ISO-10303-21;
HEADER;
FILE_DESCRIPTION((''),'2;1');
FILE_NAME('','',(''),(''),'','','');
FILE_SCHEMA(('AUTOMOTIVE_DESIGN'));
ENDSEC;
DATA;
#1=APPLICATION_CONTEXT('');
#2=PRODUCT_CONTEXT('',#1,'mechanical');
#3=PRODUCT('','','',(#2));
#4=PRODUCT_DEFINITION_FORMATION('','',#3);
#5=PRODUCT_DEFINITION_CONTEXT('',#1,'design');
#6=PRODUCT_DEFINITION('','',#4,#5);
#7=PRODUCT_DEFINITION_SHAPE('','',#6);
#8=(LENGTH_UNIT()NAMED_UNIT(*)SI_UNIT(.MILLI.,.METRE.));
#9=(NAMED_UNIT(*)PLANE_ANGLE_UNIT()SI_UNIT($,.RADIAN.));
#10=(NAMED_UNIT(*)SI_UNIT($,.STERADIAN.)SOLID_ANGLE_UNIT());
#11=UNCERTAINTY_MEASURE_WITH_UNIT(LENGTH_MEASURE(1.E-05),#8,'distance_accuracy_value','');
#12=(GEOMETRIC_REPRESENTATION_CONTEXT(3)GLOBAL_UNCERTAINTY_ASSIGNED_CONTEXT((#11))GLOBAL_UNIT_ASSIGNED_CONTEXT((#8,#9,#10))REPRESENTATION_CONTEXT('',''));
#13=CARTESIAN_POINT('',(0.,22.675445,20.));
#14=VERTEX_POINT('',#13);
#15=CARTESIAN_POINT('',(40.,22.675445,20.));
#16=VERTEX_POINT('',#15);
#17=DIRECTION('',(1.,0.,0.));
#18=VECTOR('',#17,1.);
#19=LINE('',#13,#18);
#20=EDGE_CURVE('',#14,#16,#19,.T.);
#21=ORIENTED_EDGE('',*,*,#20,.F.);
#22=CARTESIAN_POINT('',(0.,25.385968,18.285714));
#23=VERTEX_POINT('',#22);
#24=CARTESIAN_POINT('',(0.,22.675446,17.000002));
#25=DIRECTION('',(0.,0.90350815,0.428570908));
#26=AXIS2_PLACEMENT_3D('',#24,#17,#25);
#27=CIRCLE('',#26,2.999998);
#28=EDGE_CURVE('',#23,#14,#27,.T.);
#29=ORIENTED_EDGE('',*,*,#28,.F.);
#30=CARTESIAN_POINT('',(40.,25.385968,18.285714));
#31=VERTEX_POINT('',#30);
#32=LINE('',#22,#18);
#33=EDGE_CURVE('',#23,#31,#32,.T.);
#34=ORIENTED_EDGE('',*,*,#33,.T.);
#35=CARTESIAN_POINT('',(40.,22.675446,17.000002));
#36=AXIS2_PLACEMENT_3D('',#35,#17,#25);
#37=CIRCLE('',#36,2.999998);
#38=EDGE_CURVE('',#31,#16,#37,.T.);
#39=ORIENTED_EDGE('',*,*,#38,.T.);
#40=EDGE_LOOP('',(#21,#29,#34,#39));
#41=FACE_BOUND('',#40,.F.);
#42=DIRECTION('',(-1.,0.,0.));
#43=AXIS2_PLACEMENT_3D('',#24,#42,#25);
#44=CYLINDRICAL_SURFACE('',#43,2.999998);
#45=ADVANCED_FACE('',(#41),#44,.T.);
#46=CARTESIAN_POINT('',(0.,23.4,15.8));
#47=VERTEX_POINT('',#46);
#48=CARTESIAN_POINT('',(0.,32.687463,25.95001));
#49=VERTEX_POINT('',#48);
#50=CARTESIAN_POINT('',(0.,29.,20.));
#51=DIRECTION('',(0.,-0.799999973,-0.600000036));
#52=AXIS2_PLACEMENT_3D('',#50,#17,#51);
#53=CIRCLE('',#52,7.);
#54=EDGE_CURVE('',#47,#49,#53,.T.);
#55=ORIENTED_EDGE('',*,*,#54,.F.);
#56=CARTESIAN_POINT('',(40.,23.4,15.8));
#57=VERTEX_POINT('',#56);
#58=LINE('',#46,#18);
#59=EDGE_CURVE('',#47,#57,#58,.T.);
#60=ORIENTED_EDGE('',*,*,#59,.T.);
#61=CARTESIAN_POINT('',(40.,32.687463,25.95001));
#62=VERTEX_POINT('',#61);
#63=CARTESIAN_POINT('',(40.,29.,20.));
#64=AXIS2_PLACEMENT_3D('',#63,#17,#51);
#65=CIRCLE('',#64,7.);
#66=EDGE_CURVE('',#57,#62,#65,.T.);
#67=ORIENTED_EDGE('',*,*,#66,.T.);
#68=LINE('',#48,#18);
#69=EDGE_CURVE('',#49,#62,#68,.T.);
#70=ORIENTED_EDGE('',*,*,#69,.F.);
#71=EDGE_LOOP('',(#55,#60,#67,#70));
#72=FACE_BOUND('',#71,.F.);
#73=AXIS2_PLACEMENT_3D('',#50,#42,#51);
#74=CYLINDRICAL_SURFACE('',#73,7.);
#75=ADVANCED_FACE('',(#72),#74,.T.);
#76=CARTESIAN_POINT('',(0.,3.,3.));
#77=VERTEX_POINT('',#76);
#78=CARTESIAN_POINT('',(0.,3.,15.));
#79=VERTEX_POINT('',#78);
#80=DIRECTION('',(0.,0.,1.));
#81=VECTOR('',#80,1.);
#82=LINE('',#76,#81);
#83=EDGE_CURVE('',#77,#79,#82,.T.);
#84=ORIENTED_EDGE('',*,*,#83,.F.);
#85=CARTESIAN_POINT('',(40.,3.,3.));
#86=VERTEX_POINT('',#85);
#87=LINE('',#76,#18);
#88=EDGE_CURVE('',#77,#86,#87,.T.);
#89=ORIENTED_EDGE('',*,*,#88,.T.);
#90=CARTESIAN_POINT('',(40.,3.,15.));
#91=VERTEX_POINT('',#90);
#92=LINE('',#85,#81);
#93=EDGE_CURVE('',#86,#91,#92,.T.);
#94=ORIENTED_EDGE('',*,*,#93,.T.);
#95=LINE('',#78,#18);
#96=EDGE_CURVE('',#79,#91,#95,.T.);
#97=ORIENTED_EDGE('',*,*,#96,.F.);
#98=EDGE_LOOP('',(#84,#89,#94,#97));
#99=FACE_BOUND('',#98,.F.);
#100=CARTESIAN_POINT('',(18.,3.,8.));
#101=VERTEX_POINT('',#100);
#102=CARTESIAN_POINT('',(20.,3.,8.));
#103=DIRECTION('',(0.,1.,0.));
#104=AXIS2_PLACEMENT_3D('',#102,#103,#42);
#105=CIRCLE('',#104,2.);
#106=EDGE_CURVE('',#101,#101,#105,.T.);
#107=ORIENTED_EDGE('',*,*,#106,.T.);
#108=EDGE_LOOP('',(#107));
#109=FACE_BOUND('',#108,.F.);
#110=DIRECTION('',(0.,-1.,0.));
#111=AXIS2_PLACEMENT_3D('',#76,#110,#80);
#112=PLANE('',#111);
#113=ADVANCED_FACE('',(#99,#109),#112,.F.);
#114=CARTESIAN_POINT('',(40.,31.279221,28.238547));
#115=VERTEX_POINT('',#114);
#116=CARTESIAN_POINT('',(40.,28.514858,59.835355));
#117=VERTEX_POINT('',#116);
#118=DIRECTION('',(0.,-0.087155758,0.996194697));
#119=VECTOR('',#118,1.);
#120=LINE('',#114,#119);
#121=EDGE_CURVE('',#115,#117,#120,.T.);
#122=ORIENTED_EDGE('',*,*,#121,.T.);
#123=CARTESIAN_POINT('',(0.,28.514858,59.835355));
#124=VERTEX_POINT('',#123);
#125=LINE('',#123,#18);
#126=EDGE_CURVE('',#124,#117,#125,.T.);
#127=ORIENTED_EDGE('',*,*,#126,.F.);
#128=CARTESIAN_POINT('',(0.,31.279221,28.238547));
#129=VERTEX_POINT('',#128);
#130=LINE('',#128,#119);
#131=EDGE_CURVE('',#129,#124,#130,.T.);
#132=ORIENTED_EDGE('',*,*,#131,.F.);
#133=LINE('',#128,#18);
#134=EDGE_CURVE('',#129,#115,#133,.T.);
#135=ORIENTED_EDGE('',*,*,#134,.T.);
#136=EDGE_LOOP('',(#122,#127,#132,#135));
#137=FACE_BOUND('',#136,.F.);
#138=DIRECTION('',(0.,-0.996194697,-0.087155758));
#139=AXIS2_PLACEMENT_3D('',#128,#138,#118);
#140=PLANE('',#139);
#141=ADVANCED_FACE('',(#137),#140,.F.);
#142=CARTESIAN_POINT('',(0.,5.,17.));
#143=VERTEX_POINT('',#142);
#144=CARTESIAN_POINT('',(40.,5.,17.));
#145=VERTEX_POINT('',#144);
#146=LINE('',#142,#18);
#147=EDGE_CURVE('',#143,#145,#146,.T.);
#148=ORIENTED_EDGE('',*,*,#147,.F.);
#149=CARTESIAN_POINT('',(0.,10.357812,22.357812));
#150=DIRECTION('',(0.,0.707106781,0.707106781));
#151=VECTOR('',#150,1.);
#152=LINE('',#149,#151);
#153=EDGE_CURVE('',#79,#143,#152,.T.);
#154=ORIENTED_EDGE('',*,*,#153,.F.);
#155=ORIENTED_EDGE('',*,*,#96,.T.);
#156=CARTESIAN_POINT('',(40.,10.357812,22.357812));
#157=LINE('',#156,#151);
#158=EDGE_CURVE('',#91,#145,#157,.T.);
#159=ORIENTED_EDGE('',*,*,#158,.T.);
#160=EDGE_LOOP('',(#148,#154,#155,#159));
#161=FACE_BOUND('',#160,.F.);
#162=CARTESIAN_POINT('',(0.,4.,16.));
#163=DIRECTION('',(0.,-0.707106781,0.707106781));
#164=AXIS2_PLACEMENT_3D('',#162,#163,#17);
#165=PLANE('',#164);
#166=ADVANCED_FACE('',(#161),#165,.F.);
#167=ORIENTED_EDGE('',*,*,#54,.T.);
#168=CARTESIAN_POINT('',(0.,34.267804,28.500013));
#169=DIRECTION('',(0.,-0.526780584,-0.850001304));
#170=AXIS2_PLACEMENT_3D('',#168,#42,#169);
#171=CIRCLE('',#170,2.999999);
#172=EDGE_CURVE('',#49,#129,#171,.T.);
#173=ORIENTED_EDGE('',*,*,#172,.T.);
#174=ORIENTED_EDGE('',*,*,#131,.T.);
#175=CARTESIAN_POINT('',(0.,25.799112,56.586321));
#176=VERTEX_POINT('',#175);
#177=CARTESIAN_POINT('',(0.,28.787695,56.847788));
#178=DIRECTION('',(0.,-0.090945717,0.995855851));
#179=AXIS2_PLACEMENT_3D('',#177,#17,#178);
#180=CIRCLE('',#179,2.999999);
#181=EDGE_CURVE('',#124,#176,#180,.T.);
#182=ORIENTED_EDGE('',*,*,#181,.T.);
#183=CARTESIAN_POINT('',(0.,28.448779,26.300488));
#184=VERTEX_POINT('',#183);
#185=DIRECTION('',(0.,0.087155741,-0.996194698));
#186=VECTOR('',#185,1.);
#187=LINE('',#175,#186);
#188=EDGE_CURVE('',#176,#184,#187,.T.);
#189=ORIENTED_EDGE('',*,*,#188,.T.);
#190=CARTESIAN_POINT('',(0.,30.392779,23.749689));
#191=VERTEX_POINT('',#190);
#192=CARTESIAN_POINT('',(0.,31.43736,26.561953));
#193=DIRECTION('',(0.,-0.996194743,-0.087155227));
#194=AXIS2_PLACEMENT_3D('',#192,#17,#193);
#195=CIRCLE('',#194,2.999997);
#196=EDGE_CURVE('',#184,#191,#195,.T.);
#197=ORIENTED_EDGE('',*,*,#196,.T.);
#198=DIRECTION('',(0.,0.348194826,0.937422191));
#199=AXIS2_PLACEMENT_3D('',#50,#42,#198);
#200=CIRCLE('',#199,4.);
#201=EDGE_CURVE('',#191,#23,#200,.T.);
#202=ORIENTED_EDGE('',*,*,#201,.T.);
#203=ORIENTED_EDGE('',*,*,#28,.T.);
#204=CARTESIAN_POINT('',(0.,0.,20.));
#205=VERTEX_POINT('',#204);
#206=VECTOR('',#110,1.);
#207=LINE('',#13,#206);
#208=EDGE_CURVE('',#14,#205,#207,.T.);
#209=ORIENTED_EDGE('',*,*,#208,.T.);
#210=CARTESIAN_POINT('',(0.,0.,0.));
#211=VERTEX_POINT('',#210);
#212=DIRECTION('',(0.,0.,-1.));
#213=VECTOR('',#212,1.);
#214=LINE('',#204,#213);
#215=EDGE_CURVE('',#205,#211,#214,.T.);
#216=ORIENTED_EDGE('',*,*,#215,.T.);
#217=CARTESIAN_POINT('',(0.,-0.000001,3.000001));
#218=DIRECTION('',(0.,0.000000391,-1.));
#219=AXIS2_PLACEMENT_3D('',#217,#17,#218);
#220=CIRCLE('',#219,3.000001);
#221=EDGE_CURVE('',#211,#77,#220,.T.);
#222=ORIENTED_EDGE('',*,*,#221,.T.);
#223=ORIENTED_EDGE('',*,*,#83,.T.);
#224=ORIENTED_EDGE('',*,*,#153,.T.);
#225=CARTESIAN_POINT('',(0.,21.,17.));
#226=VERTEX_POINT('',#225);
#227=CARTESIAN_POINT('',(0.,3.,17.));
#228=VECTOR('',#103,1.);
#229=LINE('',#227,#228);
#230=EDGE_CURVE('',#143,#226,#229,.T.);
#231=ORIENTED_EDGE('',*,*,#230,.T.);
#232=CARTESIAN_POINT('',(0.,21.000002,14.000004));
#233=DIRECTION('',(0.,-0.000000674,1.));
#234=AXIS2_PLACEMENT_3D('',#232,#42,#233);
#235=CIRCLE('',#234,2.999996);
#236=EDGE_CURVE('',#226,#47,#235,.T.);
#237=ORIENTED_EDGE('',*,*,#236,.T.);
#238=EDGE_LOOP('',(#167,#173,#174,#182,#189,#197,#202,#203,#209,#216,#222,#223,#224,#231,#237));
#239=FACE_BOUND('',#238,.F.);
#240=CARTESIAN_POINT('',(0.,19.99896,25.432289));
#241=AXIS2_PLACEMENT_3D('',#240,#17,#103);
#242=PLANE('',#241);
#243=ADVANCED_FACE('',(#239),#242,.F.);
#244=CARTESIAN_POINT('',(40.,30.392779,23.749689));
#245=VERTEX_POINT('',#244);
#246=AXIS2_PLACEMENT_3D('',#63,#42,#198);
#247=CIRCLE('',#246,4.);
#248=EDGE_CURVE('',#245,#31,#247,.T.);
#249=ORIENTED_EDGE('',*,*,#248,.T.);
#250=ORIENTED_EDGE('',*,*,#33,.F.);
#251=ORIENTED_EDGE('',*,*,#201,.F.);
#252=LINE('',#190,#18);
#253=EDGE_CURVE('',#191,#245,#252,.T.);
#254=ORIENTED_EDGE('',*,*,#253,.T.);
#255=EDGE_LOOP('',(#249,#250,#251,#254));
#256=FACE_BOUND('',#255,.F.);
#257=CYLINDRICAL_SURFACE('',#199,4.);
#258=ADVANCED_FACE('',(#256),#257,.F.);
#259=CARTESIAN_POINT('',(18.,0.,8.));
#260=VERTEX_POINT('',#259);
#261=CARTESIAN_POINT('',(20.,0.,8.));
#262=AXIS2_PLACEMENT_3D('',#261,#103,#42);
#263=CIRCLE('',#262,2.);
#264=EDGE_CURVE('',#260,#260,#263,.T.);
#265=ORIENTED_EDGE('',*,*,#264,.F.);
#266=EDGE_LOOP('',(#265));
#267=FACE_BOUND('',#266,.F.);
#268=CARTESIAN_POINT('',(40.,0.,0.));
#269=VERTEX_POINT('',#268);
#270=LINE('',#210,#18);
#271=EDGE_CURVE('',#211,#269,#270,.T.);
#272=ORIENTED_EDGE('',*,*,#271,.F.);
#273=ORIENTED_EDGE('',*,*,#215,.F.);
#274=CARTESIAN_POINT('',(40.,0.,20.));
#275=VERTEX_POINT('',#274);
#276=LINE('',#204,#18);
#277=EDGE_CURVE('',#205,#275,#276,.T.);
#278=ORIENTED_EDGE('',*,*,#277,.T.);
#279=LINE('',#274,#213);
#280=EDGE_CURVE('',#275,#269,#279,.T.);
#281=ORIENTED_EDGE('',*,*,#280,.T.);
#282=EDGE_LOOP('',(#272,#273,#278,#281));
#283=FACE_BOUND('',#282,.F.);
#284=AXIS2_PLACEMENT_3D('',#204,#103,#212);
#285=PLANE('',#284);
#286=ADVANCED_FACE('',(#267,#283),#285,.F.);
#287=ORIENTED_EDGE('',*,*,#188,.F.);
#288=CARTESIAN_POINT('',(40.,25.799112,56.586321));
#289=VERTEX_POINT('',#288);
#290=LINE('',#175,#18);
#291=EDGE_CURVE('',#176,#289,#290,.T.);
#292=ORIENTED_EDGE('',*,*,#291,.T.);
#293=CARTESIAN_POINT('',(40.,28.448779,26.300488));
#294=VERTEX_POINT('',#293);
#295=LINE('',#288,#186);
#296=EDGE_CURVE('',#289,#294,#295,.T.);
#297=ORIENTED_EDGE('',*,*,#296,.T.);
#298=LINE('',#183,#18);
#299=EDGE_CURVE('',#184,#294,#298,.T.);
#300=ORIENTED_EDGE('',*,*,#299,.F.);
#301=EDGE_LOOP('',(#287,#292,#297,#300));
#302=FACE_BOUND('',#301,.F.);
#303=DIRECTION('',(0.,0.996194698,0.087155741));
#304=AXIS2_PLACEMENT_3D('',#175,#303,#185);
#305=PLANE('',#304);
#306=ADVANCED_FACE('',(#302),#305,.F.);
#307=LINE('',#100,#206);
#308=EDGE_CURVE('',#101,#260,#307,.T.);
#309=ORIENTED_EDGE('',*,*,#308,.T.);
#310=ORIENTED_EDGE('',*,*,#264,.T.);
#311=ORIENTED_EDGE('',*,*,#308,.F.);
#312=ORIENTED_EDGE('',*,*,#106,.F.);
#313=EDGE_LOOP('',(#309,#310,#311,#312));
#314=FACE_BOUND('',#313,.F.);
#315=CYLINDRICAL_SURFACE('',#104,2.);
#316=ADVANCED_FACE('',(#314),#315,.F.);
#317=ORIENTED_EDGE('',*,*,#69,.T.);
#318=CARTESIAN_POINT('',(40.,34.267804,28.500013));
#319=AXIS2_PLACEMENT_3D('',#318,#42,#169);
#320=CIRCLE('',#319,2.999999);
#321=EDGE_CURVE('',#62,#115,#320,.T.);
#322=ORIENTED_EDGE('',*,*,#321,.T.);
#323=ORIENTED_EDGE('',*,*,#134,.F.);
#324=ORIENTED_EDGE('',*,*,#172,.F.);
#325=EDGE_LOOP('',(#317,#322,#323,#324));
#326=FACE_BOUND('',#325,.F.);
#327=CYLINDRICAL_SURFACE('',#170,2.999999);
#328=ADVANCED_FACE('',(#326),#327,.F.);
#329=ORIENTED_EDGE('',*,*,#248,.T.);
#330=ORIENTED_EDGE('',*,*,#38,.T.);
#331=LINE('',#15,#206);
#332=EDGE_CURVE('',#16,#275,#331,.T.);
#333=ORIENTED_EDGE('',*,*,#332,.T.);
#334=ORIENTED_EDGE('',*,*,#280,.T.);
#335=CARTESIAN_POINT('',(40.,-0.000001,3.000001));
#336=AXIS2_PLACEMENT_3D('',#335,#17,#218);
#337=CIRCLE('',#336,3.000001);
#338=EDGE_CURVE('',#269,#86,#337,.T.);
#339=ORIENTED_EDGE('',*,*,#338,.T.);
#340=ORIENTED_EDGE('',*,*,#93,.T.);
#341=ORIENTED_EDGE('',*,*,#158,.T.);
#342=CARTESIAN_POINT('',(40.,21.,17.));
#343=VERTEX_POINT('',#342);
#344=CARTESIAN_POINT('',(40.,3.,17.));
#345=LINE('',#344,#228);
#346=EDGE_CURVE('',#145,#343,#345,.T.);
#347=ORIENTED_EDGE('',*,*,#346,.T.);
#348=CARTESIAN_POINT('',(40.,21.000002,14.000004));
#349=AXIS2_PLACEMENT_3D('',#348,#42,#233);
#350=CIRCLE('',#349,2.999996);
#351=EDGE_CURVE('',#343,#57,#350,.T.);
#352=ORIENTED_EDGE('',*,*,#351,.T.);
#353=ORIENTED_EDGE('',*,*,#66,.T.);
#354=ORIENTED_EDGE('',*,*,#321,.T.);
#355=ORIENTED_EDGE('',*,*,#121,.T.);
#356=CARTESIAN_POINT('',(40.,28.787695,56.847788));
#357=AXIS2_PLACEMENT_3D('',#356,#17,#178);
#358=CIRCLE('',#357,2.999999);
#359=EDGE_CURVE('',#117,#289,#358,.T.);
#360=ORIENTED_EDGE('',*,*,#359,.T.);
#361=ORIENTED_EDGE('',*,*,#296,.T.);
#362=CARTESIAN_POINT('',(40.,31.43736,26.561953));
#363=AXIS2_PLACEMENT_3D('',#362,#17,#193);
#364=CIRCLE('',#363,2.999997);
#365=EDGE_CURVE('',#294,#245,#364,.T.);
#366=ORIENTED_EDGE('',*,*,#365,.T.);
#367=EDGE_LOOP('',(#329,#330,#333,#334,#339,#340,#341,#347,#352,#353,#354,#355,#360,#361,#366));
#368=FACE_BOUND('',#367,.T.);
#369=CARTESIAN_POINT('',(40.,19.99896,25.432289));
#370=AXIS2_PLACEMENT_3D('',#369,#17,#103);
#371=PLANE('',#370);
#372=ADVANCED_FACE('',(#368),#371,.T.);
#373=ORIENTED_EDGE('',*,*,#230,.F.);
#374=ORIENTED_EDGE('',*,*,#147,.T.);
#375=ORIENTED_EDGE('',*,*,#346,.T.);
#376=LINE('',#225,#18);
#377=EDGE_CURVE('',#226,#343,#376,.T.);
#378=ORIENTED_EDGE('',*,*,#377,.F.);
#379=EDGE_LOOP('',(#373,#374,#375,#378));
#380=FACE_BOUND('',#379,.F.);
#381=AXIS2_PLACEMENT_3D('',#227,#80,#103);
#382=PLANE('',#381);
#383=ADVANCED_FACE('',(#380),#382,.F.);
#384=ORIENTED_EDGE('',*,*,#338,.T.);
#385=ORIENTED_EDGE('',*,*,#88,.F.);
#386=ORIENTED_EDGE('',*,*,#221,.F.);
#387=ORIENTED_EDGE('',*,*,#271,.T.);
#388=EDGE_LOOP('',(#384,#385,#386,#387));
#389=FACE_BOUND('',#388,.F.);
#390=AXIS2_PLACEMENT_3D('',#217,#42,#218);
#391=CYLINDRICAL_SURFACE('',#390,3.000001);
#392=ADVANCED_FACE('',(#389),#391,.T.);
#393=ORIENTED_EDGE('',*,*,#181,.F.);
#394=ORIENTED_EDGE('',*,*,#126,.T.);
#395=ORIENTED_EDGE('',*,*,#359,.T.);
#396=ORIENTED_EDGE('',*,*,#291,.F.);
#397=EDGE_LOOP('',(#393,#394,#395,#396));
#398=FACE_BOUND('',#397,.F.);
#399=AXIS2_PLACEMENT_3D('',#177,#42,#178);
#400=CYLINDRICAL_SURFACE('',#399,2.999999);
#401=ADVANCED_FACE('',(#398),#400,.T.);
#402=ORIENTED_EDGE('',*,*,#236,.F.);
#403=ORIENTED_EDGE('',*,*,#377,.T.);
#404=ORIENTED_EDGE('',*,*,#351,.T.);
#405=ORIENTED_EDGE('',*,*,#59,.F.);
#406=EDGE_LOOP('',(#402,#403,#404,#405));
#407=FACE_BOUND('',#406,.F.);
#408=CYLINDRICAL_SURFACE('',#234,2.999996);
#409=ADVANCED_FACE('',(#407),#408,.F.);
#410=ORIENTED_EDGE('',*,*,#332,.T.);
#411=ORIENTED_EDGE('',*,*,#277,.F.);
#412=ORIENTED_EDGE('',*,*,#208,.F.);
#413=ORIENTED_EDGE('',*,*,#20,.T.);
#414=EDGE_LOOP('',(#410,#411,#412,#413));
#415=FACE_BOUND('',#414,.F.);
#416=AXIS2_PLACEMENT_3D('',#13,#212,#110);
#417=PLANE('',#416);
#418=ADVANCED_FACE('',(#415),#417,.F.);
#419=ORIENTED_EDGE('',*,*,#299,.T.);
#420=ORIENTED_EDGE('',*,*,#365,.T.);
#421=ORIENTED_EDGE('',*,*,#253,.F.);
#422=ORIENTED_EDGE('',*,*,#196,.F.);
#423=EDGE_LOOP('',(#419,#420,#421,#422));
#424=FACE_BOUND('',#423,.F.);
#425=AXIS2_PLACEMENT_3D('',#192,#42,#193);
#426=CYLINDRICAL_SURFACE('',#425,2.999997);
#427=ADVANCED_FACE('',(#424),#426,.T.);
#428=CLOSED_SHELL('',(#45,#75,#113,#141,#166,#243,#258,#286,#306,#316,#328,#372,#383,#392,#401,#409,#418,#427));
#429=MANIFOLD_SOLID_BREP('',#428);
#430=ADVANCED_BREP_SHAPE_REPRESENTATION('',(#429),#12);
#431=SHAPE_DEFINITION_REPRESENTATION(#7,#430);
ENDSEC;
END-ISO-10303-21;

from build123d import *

# Parameters (mm, degrees)
F1_DEPTH = 40
F2_R     = 2
F3_DEPTH = 9.6
F4_SIZE  = 2


with BuildPart() as f1:
    # F0 (on Right) → F1 (new body)
    with BuildSketch(Plane.YZ):
        with BuildLine():
            Line((0, 20), (0, 0))
            ThreePointArc((0, 0), (2.12132, 0.87868), (3, 3))
            Line((3, 3), (3, 17))
            Line((3, 17), (21, 17))
            ThreePointArc((21, 17), (22.341641, 16.683282), (23.4, 15.8))
            ThreePointArc((23.4, 15.8), (34.164312, 15.27455), (32.687463, 25.95001))
            ThreePointArc((32.687463, 25.95001), (31.712786, 26.927793), (31.279221, 28.238547))
            Line((31.279221, 28.238547), (28.514858, 59.835355))
            ThreePointArc((28.514858, 59.835355), (26.485898, 58.771775), (25.799112, 56.586321))
            Line((25.799112, 56.586321), (28.448779, 26.300488))
            ThreePointArc((28.448779, 26.300488), (29.051308, 24.74351), (30.392779, 23.749689))
            ThreePointArc((30.392779, 23.749689), (31.949109, 17.297639), (25.385968, 18.285714))
            ThreePointArc((25.385968, 18.285714), (24.279012, 19.535463), (22.675445, 20))
            Line((22.675445, 20), (0, 20))
        make_face()
    extrude(amount=F1_DEPTH)

    # F2 (on face) → F3 (cut)
    with BuildSketch(Plane(origin=(0, 3, 0), x_dir=(-1, 0, 0), z_dir=(0, 1, 0))):
        with Locations((-20, 8)):
            Circle(F2_R)
    extrude(amount=-F3_DEPTH, mode=Mode.SUBTRACT)

    # F4
    f4_edges = [f1.edges().sort_by_distance(p)[0] for p in [
        (20, 3, 17),
    ]]
    chamfer(f4_edges, length=F4_SIZE)


solid = f1.part
